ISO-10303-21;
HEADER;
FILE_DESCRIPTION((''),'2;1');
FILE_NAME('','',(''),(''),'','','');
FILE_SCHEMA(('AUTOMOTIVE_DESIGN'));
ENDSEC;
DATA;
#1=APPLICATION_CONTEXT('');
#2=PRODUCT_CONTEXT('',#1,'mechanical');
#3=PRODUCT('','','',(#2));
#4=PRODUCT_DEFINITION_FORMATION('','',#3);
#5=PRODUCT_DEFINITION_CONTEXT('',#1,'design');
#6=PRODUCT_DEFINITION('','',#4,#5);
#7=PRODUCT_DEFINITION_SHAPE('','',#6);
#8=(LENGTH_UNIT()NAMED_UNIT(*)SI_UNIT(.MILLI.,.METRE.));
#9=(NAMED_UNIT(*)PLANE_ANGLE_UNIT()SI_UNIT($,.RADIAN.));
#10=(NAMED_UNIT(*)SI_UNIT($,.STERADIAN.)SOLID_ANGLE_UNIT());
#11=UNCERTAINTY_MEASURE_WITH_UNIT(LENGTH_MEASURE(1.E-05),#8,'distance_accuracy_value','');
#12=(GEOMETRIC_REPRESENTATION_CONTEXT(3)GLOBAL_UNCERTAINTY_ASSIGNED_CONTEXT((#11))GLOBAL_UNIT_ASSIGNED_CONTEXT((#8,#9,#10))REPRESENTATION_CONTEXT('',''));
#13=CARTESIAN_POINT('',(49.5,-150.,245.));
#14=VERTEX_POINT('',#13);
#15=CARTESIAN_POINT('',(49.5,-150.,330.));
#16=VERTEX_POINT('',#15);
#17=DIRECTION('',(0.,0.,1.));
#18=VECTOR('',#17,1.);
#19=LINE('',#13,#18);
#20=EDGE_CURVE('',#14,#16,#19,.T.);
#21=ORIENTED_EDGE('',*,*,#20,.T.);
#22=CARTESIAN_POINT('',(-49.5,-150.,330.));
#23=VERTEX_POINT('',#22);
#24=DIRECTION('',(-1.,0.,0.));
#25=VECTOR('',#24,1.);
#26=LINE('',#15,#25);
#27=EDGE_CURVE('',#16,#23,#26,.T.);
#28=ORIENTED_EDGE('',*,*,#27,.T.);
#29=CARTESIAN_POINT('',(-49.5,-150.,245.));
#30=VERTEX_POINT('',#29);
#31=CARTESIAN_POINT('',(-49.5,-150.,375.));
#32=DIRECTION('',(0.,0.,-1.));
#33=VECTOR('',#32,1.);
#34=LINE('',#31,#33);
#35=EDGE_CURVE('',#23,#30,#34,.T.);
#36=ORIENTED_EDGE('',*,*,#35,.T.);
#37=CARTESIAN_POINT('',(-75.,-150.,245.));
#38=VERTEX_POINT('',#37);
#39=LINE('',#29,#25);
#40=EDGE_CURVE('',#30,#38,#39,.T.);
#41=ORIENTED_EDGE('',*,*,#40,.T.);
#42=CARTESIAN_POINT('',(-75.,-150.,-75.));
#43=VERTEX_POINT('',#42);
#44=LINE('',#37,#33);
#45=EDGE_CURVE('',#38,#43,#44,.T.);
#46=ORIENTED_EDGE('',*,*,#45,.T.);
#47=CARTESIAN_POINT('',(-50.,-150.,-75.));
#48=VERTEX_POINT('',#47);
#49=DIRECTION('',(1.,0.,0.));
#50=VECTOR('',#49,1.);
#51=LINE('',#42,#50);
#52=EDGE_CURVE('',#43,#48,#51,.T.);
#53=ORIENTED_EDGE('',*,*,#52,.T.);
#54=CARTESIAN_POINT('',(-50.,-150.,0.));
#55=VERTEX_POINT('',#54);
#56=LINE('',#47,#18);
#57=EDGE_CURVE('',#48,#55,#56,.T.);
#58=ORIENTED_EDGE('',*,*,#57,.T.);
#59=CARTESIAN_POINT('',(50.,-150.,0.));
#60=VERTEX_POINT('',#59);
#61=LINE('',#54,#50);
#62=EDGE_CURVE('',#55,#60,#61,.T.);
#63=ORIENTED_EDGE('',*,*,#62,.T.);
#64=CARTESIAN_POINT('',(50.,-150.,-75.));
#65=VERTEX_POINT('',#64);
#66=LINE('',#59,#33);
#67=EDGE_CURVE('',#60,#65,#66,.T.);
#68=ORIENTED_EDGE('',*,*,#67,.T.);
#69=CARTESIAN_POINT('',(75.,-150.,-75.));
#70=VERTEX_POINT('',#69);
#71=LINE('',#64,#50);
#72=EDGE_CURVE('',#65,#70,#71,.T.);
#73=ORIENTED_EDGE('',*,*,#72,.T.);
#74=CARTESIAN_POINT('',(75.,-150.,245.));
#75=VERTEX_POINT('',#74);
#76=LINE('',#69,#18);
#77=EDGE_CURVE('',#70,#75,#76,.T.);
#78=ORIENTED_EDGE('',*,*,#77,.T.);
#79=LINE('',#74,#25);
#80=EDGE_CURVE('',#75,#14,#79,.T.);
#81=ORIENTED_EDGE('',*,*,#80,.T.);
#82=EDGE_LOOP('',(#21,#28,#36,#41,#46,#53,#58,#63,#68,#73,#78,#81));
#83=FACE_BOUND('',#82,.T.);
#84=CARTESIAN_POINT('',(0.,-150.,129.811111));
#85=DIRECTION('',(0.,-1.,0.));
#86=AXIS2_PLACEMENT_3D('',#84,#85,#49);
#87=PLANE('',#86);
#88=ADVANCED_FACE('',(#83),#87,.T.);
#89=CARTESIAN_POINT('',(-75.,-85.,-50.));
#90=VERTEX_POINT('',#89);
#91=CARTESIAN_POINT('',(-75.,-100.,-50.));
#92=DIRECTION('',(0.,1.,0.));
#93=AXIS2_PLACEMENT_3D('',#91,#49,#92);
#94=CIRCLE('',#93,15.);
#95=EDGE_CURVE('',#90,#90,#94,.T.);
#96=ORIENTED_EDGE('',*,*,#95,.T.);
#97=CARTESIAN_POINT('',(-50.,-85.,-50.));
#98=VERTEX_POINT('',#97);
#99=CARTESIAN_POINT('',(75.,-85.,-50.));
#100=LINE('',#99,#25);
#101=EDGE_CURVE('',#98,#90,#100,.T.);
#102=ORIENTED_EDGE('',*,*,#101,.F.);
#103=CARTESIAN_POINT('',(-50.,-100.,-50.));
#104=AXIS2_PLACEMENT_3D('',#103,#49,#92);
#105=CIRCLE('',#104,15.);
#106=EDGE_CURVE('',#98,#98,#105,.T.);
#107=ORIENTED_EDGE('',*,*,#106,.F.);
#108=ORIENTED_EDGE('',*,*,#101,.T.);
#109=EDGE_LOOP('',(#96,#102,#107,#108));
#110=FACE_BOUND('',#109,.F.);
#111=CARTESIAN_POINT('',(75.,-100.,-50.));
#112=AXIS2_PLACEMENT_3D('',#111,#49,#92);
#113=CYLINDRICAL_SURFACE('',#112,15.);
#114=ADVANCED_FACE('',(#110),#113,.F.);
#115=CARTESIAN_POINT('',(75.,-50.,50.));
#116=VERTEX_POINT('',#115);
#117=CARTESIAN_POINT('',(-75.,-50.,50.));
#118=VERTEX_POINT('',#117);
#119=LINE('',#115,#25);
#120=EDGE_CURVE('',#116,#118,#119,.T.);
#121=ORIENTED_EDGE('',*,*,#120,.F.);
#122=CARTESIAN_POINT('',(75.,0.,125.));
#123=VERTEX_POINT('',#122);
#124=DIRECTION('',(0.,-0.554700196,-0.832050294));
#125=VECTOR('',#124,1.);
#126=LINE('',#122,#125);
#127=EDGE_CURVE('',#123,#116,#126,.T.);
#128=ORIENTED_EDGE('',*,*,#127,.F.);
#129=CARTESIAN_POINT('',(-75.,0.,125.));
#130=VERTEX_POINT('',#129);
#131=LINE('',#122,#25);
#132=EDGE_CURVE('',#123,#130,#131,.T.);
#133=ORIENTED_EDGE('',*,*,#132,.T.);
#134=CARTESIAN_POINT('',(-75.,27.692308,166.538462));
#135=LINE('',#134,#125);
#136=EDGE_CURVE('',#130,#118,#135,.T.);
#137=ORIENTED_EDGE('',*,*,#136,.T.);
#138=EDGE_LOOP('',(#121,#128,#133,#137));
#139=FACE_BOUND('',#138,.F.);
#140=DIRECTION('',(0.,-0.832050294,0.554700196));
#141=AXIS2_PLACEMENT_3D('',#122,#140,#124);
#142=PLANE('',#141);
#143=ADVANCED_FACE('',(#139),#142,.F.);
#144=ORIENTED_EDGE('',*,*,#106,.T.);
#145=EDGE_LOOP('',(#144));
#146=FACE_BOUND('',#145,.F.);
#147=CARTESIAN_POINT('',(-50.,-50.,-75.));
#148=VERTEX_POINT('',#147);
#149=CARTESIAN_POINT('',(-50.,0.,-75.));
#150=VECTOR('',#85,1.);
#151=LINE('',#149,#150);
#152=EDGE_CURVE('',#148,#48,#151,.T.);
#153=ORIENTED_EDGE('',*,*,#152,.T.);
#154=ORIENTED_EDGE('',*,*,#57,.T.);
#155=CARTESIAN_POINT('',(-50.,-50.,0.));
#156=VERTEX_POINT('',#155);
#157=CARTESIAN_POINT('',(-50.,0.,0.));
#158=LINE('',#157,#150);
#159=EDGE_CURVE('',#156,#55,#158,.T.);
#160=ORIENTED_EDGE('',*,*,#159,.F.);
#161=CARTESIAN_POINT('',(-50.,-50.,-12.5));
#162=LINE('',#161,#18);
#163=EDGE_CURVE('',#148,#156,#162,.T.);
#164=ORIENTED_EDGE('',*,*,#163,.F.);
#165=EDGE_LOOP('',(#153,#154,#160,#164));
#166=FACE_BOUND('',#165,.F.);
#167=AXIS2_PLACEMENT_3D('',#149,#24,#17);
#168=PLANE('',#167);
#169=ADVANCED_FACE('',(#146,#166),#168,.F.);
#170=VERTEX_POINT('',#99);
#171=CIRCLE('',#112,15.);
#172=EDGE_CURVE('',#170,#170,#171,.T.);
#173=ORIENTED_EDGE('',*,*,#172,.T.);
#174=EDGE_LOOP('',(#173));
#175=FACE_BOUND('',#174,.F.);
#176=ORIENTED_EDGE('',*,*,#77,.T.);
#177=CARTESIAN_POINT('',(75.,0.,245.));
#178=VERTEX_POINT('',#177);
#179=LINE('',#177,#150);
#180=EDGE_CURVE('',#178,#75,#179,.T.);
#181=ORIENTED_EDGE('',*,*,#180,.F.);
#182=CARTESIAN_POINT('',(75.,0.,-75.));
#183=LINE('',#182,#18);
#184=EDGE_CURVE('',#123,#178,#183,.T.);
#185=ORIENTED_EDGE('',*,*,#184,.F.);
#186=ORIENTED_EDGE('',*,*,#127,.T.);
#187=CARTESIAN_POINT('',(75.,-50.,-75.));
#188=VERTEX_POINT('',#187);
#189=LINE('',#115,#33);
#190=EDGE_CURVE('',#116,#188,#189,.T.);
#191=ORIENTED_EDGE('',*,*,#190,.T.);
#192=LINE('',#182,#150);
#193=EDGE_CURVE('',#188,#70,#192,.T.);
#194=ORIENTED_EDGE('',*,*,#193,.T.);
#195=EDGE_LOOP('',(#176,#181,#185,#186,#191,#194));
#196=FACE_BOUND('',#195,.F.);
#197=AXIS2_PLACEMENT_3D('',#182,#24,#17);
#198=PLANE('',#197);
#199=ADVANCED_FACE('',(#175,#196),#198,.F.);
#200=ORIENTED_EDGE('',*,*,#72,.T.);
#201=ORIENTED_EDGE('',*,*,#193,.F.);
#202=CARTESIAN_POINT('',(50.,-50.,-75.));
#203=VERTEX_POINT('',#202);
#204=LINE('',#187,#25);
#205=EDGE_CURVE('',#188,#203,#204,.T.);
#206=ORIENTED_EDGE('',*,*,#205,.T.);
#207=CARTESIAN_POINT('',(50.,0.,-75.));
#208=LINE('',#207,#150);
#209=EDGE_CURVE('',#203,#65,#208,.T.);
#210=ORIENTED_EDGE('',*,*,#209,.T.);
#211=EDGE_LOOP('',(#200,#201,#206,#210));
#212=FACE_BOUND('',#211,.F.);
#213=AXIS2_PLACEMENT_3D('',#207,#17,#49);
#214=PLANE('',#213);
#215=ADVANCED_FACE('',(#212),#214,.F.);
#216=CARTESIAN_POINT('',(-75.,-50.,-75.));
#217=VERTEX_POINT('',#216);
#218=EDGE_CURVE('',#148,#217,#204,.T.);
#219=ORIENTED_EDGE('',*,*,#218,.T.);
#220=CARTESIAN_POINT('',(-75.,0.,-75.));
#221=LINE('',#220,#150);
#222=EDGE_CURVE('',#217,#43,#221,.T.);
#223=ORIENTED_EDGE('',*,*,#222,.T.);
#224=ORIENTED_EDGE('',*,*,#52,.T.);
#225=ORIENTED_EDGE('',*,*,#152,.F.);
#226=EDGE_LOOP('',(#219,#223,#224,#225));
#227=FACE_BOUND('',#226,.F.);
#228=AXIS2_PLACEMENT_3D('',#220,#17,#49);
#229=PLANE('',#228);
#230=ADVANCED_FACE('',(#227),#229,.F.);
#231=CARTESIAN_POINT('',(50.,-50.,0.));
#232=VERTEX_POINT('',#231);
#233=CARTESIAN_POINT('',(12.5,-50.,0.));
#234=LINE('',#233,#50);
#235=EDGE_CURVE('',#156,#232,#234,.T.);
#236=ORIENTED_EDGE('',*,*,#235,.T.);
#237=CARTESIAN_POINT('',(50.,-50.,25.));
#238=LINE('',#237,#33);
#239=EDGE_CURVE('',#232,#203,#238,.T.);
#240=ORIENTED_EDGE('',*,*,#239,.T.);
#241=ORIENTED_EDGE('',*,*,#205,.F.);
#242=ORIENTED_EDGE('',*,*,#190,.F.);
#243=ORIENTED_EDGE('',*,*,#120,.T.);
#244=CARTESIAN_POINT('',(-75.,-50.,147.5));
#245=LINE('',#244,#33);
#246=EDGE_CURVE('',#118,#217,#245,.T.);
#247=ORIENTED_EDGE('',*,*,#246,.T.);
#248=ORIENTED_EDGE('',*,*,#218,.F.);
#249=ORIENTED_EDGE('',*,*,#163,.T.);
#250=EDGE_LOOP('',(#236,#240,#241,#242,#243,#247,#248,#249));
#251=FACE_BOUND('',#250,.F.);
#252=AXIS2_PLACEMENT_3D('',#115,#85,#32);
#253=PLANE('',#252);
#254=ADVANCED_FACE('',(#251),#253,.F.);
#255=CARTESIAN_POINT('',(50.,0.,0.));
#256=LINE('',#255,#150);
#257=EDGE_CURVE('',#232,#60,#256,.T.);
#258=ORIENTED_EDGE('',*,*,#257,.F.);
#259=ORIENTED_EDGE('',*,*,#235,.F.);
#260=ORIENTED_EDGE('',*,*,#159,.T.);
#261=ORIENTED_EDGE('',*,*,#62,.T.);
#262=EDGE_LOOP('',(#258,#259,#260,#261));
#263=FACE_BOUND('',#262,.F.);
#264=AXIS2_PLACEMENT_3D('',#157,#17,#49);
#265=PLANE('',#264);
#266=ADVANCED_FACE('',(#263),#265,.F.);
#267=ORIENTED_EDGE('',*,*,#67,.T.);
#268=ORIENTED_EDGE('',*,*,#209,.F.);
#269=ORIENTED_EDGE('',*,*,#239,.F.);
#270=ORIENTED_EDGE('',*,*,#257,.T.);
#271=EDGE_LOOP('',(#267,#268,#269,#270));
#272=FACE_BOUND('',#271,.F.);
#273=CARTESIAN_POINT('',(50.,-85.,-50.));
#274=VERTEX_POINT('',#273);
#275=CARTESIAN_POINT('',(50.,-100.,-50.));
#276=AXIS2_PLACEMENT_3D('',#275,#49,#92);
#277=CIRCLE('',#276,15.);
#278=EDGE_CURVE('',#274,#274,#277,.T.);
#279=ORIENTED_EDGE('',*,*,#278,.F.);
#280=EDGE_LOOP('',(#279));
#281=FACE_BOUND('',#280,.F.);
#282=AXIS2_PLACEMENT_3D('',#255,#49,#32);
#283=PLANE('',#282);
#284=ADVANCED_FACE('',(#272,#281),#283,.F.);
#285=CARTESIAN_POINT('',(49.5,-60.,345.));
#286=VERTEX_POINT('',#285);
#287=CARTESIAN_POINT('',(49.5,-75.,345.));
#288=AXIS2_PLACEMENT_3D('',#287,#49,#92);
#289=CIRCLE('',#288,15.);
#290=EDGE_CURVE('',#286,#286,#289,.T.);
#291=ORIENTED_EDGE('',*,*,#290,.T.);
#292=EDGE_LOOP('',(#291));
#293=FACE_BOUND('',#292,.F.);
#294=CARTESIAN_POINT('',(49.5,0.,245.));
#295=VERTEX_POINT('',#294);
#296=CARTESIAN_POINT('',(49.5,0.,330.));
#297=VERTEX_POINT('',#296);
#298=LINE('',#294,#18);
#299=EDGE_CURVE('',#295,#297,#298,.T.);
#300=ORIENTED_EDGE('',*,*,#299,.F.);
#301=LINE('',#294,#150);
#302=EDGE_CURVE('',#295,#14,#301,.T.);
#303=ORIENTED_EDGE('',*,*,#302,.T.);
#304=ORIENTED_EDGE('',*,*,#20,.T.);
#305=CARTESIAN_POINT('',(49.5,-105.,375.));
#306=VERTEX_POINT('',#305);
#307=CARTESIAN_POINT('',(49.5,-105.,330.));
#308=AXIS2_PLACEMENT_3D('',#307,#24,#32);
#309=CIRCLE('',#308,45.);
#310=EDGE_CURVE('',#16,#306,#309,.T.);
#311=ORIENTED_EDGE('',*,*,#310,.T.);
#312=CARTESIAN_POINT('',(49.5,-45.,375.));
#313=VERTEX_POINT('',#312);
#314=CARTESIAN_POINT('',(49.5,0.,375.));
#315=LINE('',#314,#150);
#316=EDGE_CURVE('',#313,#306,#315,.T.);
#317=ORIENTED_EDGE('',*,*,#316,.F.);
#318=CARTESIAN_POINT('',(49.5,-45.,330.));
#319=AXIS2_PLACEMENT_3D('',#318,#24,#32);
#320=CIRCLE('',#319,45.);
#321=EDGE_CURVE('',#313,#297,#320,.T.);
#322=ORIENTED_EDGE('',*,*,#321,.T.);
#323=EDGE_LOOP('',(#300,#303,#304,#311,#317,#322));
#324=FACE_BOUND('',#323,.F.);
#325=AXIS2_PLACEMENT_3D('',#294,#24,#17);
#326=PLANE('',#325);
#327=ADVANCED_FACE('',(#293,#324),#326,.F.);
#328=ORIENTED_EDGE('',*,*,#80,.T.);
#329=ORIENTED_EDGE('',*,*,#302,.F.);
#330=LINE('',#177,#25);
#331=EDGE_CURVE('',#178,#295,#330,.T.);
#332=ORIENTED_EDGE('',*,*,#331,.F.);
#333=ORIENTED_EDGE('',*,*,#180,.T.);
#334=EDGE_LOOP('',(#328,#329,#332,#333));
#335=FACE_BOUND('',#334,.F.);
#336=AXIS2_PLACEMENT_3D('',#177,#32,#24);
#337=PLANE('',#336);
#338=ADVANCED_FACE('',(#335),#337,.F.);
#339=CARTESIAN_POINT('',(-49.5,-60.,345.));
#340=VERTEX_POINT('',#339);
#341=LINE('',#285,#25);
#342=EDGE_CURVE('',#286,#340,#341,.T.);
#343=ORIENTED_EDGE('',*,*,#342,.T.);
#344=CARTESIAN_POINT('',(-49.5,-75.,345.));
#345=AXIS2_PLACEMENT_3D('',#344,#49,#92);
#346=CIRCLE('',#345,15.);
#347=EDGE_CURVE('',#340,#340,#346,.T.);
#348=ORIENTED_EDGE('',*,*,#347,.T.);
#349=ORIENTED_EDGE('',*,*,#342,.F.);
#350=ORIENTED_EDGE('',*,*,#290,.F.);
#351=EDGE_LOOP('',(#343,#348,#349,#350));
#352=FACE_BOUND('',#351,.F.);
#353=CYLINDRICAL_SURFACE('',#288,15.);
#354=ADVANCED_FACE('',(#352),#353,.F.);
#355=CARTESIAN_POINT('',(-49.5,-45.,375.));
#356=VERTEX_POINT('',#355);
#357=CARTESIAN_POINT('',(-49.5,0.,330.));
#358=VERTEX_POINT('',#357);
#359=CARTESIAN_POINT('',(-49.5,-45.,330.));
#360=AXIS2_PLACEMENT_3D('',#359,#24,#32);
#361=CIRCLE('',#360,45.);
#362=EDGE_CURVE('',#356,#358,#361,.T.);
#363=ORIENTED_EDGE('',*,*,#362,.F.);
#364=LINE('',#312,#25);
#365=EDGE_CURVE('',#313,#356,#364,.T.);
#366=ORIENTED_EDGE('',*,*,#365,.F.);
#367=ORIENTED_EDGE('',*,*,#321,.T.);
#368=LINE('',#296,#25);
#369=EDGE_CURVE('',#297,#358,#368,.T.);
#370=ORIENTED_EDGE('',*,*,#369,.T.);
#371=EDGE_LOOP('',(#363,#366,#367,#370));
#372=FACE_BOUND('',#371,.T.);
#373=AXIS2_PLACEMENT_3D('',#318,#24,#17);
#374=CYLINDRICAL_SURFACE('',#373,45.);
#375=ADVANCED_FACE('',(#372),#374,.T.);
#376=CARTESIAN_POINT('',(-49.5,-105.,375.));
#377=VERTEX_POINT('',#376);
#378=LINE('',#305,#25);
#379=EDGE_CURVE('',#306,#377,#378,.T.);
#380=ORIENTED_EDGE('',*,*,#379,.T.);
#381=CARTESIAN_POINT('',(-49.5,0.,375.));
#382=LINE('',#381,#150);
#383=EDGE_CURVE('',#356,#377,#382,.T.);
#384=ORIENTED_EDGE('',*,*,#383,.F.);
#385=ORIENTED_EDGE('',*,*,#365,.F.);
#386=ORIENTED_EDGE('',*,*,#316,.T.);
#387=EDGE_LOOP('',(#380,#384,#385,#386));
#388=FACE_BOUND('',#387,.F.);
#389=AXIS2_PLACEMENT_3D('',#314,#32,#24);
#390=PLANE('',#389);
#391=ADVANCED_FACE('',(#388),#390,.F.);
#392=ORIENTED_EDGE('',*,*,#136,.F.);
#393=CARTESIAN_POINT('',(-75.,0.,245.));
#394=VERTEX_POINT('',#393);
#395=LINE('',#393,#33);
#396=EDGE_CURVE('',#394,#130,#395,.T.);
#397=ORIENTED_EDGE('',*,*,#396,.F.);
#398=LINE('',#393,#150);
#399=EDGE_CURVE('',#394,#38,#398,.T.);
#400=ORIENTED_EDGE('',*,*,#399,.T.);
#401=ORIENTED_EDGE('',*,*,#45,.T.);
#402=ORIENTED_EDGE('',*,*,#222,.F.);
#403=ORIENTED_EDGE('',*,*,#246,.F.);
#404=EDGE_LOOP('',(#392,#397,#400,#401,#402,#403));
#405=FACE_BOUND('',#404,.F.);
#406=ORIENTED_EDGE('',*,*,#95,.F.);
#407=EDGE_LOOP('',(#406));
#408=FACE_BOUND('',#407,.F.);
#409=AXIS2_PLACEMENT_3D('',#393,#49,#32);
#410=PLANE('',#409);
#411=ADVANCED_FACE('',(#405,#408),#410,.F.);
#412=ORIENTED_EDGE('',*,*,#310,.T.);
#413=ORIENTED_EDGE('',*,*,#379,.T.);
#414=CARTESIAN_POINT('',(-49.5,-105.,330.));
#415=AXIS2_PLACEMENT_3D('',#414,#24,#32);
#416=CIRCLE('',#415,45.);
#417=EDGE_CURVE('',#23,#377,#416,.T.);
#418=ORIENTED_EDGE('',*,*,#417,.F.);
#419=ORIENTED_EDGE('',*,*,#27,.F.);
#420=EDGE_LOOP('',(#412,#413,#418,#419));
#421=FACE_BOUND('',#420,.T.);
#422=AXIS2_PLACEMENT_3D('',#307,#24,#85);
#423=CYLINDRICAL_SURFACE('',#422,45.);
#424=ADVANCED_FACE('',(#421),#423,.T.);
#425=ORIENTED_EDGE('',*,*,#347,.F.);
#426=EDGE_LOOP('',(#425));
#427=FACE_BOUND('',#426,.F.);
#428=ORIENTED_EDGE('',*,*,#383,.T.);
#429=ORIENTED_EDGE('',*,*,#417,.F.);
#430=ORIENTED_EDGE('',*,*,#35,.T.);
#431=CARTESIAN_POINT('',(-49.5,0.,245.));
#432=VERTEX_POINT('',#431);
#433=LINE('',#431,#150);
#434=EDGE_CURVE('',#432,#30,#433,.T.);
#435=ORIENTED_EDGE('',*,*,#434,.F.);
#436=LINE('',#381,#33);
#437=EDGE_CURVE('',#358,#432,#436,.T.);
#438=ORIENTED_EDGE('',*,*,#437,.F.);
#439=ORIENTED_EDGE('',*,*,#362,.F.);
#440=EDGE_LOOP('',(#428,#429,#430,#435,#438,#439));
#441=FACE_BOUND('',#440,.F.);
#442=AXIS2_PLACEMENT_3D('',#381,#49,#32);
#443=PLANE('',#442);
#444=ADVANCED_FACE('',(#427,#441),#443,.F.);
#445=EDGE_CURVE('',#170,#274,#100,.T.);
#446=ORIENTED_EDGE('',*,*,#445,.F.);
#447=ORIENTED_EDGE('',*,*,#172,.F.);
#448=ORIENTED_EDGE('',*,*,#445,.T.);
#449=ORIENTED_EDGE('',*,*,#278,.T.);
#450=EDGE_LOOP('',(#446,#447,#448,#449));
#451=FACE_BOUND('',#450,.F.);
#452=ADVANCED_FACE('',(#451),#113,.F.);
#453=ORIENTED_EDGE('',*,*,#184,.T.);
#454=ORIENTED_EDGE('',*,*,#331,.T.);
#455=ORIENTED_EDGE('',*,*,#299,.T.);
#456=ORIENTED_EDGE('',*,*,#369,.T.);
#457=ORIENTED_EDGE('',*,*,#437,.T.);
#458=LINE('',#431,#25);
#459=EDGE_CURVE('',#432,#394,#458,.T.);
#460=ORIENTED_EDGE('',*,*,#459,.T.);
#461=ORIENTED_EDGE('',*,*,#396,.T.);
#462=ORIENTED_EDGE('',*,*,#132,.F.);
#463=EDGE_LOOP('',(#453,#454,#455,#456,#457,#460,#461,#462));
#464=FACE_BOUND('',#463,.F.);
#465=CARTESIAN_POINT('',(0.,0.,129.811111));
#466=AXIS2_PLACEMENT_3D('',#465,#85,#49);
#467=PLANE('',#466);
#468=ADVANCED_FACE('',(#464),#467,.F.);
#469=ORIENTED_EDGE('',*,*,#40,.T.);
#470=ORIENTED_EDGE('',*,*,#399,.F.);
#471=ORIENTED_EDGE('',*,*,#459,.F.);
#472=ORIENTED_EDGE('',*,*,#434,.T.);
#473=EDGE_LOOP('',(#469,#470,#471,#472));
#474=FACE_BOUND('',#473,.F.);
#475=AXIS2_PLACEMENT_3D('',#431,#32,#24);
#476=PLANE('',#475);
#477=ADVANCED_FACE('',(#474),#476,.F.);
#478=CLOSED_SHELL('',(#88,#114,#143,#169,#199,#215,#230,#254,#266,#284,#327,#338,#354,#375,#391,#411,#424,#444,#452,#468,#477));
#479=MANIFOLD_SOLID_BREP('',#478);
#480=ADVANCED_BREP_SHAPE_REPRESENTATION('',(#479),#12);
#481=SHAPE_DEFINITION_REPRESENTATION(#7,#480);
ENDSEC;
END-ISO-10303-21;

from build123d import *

# Parameters (mm, degrees)
F1_DEPTH = 150
F3_DEPTH = 188
F4_R     = 45
F5_R     = 15
F6_DEPTH = 133
F7_R     = 15
F8_DEPTH = 179


with BuildPart() as f1:
    # F0 (on Front) → F1 (new body)
    with BuildSketch(Plane.XZ):
        Polygon((-50, 0), (0, 0), (50, 0), (50, -75), (75, -75), (75, 245), (49.5, 245), (49.5, 375), (-49.5, 375), (-49.5, 245), (-75, 245), (-75, -75), (-50, -75), align=None)
    extrude(amount=F1_DEPTH)

    # F2 (on face) → F3 (cut)
    with BuildSketch(Plane.YZ.offset(75)):
        Polygon((-50, 50), (-50, -75), (0, -75), (0, 125), align=None)
    extrude(amount=-F3_DEPTH, mode=Mode.SUBTRACT)

    # F4
    f4_edges = [f1.edges().sort_by_distance(p)[0] for p in [
        (0, -150, 375),
        (0, 0, 375),
    ]]
    fillet(f4_edges, radius=F4_R)

    # F5 (on face) → F6 (cut)
    with BuildSketch(Plane.YZ.offset(49.5)):
        with Locations((-75, 345)):
            Circle(F5_R)
    extrude(amount=-F6_DEPTH, mode=Mode.SUBTRACT)

    # F7 (on face) → F8 (cut)
    with BuildSketch(Plane.YZ.offset(75)):
        with Locations((-100, -50)):
            Circle(F7_R)
    extrude(amount=-F8_DEPTH, mode=Mode.SUBTRACT)


solid = f1.part
